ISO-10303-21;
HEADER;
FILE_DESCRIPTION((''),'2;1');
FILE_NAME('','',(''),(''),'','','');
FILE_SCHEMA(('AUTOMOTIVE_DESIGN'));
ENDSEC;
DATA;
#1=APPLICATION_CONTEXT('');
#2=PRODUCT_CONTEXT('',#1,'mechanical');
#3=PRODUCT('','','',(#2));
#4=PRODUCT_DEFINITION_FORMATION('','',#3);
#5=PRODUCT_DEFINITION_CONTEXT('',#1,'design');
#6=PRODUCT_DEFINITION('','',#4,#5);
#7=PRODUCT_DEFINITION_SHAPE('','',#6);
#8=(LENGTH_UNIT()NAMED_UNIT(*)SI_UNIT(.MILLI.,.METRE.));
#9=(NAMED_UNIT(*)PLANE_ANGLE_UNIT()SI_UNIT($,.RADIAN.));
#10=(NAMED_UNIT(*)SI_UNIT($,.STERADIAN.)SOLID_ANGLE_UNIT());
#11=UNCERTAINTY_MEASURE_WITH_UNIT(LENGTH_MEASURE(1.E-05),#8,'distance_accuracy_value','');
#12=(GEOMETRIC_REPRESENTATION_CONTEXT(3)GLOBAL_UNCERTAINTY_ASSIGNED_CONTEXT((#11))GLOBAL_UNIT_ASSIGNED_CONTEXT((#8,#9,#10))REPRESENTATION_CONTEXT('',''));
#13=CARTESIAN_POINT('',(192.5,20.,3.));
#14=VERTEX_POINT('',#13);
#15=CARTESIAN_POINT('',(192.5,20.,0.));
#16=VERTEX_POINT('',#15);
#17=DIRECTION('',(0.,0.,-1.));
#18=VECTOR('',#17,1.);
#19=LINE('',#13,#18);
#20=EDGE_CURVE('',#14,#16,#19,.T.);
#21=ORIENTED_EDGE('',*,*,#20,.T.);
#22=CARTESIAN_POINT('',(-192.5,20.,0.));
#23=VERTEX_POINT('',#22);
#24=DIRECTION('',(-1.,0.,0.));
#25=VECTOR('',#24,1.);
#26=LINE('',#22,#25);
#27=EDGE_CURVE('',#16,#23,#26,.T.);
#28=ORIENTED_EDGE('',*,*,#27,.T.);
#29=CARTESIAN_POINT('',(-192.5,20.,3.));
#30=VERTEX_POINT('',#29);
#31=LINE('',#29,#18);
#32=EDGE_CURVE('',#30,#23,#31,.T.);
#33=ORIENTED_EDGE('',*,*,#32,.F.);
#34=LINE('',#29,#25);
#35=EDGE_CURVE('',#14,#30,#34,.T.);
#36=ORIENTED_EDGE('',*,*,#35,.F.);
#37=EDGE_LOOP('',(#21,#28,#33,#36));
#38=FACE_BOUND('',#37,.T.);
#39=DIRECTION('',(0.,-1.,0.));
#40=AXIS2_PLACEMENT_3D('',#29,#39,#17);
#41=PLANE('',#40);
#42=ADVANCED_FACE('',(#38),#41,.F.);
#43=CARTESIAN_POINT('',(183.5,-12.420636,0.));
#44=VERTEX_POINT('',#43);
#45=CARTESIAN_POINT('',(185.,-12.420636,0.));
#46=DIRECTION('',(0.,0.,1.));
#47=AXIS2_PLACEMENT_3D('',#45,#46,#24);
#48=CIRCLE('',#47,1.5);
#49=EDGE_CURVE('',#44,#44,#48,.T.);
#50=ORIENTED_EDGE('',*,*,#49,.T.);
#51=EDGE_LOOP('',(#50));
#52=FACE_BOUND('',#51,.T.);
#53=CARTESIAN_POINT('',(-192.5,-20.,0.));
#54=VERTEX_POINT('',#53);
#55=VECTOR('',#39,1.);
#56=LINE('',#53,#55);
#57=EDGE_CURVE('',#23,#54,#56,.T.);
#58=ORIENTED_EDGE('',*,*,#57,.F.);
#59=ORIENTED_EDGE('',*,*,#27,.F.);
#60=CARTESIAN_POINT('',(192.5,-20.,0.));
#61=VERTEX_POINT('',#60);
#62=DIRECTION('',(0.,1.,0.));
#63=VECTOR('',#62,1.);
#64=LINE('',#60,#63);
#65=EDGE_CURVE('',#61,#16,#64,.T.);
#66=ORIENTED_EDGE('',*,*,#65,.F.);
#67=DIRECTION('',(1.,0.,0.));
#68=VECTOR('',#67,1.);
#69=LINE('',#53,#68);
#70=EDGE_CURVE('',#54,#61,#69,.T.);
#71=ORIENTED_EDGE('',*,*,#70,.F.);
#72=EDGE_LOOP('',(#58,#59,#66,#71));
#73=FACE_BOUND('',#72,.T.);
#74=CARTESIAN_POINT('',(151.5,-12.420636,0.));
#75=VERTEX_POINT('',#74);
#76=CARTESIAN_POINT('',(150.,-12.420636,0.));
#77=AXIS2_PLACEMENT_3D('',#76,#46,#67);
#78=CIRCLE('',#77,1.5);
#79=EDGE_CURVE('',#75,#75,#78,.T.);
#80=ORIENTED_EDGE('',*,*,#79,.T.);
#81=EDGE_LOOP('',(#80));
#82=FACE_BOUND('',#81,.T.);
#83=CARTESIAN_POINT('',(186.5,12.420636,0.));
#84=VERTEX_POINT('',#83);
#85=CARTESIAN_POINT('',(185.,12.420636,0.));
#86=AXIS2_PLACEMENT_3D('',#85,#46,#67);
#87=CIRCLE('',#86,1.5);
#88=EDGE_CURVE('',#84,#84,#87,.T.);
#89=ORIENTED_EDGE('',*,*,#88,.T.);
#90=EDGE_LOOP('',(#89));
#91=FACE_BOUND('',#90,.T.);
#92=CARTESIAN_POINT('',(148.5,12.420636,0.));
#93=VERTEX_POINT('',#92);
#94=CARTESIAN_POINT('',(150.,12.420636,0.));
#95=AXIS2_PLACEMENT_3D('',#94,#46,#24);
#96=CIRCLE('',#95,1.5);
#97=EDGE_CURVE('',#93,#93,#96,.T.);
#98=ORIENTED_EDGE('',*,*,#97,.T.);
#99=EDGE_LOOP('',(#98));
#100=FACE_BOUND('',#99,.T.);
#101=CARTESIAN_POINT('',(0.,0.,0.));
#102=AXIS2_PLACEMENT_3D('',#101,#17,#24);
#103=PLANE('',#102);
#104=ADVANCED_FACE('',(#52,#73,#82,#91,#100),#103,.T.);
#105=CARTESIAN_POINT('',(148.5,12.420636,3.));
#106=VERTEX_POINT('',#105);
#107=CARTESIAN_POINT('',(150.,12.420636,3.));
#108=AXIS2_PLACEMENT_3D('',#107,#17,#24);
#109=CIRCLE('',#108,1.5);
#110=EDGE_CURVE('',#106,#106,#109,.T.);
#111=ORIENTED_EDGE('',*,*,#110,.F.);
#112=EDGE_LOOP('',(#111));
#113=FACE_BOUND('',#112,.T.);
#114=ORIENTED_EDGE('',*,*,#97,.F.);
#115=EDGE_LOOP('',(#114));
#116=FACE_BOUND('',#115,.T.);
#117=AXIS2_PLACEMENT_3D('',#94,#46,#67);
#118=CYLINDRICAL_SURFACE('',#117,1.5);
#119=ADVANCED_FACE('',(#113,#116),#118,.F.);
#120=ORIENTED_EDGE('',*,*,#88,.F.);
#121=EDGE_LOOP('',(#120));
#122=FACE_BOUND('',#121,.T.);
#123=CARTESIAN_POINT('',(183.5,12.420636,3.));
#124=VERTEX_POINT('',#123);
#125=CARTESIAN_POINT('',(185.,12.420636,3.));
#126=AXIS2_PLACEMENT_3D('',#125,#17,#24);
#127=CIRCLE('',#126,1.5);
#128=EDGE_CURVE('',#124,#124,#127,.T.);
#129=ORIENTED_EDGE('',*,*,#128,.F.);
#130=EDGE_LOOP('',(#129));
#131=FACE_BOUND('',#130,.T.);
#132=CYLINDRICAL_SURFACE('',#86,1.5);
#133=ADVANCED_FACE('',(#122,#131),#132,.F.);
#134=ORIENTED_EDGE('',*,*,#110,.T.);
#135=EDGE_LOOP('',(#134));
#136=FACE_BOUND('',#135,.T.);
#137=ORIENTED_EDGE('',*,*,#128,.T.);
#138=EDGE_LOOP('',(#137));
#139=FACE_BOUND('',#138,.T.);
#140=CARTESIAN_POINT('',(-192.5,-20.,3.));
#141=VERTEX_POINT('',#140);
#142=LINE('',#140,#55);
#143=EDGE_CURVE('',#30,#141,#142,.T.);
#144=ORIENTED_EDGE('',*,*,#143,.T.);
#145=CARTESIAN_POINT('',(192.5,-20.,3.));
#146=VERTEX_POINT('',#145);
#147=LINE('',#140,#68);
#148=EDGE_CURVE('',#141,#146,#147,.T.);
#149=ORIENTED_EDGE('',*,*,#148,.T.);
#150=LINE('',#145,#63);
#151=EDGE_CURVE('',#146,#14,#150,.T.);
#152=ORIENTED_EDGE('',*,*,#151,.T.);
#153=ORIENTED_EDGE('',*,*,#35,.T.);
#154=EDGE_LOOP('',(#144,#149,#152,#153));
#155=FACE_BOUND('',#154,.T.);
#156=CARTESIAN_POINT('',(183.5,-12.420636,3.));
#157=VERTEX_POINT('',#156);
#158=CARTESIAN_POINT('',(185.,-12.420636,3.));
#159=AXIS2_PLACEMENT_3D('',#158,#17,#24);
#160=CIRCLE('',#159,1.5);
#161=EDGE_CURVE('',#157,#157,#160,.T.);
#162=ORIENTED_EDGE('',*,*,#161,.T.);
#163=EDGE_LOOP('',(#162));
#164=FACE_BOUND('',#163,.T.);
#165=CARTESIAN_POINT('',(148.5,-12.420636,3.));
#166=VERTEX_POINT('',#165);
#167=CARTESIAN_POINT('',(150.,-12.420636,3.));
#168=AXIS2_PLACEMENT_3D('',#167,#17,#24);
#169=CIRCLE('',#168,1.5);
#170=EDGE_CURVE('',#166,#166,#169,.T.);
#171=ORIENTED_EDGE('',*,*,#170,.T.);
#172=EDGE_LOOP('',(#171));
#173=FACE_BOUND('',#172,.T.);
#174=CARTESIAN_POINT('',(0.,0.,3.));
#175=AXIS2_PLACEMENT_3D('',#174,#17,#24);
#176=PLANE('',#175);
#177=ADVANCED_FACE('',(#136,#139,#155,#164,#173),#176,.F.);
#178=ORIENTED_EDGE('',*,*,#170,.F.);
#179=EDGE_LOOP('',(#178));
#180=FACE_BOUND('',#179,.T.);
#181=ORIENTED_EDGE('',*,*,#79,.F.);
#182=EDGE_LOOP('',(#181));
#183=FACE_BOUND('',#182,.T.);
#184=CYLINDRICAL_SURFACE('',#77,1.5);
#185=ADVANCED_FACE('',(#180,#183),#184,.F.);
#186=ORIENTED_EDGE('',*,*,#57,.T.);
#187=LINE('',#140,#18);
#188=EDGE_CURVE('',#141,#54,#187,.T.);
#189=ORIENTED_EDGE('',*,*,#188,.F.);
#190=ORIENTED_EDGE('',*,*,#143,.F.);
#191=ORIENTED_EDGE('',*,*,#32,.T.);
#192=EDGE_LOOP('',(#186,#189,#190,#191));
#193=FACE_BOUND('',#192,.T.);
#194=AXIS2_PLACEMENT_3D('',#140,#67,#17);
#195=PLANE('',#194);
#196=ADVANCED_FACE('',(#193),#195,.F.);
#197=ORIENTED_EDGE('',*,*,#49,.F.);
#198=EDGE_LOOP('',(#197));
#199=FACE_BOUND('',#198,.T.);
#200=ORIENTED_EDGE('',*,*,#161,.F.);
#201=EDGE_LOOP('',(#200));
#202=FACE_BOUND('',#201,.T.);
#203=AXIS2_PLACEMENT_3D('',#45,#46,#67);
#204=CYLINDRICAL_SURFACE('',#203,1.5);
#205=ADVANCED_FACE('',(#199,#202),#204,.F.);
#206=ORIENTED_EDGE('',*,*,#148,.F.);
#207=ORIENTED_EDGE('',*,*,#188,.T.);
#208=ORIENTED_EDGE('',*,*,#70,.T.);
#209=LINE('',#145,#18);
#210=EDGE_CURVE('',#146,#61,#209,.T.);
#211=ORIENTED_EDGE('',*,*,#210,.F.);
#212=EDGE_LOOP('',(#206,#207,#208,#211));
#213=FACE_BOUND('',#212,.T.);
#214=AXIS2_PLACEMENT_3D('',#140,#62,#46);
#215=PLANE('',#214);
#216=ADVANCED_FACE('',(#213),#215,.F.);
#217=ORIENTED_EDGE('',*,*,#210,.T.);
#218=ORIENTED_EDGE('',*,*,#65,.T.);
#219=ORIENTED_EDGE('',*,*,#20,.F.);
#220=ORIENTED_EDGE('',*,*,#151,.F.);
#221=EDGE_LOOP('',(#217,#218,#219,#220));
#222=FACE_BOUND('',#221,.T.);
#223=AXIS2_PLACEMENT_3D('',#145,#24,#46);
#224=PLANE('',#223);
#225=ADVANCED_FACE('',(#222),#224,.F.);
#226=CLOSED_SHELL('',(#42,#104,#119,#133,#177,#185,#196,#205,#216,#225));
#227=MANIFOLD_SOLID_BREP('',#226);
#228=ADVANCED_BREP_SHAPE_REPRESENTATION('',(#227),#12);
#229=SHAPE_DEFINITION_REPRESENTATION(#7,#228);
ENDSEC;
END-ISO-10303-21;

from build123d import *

# Parameters (mm, degrees)
SKETCH1_W               = 385
SKETCH1_H               = 40
BOSS_EXTRUDE1_DEPTH     = 3
CUT_EXTRUDE2_DEPTH      = 194.5594224
CUT_EXTRUDE2_DEPTH_BACK = 194.5594224
SKETCH2_R               = 1.5


with BuildPart() as part:
    # Sketch1 → Boss-Extrude1 (new body)
    with BuildSketch(Plane.XY):
        Rectangle(SKETCH1_W, SKETCH1_H)
    extrude(amount=BOSS_EXTRUDE1_DEPTH)

    # Sketch2 → Cut-Extrude2 (cut, two sides: drawn at the far end of the back side and taken through both)
    with BuildSketch(Plane.XY.offset(3).offset(-CUT_EXTRUDE2_DEPTH_BACK)):
        with Locations((185, 12.420635604)):
            Circle(SKETCH2_R)
        with Locations(Location((185, -12.420635604, 0), (0, 0, 180))):
            Circle(SKETCH2_R)
        with Locations((150, -12.420635604)):
            Circle(SKETCH2_R)
        with Locations(Location((150, 12.420635604, 0), (0, 0, 180))):
            Circle(SKETCH2_R)
    extrude(amount=CUT_EXTRUDE2_DEPTH + CUT_EXTRUDE2_DEPTH_BACK, mode=Mode.SUBTRACT)


solid = part.part
